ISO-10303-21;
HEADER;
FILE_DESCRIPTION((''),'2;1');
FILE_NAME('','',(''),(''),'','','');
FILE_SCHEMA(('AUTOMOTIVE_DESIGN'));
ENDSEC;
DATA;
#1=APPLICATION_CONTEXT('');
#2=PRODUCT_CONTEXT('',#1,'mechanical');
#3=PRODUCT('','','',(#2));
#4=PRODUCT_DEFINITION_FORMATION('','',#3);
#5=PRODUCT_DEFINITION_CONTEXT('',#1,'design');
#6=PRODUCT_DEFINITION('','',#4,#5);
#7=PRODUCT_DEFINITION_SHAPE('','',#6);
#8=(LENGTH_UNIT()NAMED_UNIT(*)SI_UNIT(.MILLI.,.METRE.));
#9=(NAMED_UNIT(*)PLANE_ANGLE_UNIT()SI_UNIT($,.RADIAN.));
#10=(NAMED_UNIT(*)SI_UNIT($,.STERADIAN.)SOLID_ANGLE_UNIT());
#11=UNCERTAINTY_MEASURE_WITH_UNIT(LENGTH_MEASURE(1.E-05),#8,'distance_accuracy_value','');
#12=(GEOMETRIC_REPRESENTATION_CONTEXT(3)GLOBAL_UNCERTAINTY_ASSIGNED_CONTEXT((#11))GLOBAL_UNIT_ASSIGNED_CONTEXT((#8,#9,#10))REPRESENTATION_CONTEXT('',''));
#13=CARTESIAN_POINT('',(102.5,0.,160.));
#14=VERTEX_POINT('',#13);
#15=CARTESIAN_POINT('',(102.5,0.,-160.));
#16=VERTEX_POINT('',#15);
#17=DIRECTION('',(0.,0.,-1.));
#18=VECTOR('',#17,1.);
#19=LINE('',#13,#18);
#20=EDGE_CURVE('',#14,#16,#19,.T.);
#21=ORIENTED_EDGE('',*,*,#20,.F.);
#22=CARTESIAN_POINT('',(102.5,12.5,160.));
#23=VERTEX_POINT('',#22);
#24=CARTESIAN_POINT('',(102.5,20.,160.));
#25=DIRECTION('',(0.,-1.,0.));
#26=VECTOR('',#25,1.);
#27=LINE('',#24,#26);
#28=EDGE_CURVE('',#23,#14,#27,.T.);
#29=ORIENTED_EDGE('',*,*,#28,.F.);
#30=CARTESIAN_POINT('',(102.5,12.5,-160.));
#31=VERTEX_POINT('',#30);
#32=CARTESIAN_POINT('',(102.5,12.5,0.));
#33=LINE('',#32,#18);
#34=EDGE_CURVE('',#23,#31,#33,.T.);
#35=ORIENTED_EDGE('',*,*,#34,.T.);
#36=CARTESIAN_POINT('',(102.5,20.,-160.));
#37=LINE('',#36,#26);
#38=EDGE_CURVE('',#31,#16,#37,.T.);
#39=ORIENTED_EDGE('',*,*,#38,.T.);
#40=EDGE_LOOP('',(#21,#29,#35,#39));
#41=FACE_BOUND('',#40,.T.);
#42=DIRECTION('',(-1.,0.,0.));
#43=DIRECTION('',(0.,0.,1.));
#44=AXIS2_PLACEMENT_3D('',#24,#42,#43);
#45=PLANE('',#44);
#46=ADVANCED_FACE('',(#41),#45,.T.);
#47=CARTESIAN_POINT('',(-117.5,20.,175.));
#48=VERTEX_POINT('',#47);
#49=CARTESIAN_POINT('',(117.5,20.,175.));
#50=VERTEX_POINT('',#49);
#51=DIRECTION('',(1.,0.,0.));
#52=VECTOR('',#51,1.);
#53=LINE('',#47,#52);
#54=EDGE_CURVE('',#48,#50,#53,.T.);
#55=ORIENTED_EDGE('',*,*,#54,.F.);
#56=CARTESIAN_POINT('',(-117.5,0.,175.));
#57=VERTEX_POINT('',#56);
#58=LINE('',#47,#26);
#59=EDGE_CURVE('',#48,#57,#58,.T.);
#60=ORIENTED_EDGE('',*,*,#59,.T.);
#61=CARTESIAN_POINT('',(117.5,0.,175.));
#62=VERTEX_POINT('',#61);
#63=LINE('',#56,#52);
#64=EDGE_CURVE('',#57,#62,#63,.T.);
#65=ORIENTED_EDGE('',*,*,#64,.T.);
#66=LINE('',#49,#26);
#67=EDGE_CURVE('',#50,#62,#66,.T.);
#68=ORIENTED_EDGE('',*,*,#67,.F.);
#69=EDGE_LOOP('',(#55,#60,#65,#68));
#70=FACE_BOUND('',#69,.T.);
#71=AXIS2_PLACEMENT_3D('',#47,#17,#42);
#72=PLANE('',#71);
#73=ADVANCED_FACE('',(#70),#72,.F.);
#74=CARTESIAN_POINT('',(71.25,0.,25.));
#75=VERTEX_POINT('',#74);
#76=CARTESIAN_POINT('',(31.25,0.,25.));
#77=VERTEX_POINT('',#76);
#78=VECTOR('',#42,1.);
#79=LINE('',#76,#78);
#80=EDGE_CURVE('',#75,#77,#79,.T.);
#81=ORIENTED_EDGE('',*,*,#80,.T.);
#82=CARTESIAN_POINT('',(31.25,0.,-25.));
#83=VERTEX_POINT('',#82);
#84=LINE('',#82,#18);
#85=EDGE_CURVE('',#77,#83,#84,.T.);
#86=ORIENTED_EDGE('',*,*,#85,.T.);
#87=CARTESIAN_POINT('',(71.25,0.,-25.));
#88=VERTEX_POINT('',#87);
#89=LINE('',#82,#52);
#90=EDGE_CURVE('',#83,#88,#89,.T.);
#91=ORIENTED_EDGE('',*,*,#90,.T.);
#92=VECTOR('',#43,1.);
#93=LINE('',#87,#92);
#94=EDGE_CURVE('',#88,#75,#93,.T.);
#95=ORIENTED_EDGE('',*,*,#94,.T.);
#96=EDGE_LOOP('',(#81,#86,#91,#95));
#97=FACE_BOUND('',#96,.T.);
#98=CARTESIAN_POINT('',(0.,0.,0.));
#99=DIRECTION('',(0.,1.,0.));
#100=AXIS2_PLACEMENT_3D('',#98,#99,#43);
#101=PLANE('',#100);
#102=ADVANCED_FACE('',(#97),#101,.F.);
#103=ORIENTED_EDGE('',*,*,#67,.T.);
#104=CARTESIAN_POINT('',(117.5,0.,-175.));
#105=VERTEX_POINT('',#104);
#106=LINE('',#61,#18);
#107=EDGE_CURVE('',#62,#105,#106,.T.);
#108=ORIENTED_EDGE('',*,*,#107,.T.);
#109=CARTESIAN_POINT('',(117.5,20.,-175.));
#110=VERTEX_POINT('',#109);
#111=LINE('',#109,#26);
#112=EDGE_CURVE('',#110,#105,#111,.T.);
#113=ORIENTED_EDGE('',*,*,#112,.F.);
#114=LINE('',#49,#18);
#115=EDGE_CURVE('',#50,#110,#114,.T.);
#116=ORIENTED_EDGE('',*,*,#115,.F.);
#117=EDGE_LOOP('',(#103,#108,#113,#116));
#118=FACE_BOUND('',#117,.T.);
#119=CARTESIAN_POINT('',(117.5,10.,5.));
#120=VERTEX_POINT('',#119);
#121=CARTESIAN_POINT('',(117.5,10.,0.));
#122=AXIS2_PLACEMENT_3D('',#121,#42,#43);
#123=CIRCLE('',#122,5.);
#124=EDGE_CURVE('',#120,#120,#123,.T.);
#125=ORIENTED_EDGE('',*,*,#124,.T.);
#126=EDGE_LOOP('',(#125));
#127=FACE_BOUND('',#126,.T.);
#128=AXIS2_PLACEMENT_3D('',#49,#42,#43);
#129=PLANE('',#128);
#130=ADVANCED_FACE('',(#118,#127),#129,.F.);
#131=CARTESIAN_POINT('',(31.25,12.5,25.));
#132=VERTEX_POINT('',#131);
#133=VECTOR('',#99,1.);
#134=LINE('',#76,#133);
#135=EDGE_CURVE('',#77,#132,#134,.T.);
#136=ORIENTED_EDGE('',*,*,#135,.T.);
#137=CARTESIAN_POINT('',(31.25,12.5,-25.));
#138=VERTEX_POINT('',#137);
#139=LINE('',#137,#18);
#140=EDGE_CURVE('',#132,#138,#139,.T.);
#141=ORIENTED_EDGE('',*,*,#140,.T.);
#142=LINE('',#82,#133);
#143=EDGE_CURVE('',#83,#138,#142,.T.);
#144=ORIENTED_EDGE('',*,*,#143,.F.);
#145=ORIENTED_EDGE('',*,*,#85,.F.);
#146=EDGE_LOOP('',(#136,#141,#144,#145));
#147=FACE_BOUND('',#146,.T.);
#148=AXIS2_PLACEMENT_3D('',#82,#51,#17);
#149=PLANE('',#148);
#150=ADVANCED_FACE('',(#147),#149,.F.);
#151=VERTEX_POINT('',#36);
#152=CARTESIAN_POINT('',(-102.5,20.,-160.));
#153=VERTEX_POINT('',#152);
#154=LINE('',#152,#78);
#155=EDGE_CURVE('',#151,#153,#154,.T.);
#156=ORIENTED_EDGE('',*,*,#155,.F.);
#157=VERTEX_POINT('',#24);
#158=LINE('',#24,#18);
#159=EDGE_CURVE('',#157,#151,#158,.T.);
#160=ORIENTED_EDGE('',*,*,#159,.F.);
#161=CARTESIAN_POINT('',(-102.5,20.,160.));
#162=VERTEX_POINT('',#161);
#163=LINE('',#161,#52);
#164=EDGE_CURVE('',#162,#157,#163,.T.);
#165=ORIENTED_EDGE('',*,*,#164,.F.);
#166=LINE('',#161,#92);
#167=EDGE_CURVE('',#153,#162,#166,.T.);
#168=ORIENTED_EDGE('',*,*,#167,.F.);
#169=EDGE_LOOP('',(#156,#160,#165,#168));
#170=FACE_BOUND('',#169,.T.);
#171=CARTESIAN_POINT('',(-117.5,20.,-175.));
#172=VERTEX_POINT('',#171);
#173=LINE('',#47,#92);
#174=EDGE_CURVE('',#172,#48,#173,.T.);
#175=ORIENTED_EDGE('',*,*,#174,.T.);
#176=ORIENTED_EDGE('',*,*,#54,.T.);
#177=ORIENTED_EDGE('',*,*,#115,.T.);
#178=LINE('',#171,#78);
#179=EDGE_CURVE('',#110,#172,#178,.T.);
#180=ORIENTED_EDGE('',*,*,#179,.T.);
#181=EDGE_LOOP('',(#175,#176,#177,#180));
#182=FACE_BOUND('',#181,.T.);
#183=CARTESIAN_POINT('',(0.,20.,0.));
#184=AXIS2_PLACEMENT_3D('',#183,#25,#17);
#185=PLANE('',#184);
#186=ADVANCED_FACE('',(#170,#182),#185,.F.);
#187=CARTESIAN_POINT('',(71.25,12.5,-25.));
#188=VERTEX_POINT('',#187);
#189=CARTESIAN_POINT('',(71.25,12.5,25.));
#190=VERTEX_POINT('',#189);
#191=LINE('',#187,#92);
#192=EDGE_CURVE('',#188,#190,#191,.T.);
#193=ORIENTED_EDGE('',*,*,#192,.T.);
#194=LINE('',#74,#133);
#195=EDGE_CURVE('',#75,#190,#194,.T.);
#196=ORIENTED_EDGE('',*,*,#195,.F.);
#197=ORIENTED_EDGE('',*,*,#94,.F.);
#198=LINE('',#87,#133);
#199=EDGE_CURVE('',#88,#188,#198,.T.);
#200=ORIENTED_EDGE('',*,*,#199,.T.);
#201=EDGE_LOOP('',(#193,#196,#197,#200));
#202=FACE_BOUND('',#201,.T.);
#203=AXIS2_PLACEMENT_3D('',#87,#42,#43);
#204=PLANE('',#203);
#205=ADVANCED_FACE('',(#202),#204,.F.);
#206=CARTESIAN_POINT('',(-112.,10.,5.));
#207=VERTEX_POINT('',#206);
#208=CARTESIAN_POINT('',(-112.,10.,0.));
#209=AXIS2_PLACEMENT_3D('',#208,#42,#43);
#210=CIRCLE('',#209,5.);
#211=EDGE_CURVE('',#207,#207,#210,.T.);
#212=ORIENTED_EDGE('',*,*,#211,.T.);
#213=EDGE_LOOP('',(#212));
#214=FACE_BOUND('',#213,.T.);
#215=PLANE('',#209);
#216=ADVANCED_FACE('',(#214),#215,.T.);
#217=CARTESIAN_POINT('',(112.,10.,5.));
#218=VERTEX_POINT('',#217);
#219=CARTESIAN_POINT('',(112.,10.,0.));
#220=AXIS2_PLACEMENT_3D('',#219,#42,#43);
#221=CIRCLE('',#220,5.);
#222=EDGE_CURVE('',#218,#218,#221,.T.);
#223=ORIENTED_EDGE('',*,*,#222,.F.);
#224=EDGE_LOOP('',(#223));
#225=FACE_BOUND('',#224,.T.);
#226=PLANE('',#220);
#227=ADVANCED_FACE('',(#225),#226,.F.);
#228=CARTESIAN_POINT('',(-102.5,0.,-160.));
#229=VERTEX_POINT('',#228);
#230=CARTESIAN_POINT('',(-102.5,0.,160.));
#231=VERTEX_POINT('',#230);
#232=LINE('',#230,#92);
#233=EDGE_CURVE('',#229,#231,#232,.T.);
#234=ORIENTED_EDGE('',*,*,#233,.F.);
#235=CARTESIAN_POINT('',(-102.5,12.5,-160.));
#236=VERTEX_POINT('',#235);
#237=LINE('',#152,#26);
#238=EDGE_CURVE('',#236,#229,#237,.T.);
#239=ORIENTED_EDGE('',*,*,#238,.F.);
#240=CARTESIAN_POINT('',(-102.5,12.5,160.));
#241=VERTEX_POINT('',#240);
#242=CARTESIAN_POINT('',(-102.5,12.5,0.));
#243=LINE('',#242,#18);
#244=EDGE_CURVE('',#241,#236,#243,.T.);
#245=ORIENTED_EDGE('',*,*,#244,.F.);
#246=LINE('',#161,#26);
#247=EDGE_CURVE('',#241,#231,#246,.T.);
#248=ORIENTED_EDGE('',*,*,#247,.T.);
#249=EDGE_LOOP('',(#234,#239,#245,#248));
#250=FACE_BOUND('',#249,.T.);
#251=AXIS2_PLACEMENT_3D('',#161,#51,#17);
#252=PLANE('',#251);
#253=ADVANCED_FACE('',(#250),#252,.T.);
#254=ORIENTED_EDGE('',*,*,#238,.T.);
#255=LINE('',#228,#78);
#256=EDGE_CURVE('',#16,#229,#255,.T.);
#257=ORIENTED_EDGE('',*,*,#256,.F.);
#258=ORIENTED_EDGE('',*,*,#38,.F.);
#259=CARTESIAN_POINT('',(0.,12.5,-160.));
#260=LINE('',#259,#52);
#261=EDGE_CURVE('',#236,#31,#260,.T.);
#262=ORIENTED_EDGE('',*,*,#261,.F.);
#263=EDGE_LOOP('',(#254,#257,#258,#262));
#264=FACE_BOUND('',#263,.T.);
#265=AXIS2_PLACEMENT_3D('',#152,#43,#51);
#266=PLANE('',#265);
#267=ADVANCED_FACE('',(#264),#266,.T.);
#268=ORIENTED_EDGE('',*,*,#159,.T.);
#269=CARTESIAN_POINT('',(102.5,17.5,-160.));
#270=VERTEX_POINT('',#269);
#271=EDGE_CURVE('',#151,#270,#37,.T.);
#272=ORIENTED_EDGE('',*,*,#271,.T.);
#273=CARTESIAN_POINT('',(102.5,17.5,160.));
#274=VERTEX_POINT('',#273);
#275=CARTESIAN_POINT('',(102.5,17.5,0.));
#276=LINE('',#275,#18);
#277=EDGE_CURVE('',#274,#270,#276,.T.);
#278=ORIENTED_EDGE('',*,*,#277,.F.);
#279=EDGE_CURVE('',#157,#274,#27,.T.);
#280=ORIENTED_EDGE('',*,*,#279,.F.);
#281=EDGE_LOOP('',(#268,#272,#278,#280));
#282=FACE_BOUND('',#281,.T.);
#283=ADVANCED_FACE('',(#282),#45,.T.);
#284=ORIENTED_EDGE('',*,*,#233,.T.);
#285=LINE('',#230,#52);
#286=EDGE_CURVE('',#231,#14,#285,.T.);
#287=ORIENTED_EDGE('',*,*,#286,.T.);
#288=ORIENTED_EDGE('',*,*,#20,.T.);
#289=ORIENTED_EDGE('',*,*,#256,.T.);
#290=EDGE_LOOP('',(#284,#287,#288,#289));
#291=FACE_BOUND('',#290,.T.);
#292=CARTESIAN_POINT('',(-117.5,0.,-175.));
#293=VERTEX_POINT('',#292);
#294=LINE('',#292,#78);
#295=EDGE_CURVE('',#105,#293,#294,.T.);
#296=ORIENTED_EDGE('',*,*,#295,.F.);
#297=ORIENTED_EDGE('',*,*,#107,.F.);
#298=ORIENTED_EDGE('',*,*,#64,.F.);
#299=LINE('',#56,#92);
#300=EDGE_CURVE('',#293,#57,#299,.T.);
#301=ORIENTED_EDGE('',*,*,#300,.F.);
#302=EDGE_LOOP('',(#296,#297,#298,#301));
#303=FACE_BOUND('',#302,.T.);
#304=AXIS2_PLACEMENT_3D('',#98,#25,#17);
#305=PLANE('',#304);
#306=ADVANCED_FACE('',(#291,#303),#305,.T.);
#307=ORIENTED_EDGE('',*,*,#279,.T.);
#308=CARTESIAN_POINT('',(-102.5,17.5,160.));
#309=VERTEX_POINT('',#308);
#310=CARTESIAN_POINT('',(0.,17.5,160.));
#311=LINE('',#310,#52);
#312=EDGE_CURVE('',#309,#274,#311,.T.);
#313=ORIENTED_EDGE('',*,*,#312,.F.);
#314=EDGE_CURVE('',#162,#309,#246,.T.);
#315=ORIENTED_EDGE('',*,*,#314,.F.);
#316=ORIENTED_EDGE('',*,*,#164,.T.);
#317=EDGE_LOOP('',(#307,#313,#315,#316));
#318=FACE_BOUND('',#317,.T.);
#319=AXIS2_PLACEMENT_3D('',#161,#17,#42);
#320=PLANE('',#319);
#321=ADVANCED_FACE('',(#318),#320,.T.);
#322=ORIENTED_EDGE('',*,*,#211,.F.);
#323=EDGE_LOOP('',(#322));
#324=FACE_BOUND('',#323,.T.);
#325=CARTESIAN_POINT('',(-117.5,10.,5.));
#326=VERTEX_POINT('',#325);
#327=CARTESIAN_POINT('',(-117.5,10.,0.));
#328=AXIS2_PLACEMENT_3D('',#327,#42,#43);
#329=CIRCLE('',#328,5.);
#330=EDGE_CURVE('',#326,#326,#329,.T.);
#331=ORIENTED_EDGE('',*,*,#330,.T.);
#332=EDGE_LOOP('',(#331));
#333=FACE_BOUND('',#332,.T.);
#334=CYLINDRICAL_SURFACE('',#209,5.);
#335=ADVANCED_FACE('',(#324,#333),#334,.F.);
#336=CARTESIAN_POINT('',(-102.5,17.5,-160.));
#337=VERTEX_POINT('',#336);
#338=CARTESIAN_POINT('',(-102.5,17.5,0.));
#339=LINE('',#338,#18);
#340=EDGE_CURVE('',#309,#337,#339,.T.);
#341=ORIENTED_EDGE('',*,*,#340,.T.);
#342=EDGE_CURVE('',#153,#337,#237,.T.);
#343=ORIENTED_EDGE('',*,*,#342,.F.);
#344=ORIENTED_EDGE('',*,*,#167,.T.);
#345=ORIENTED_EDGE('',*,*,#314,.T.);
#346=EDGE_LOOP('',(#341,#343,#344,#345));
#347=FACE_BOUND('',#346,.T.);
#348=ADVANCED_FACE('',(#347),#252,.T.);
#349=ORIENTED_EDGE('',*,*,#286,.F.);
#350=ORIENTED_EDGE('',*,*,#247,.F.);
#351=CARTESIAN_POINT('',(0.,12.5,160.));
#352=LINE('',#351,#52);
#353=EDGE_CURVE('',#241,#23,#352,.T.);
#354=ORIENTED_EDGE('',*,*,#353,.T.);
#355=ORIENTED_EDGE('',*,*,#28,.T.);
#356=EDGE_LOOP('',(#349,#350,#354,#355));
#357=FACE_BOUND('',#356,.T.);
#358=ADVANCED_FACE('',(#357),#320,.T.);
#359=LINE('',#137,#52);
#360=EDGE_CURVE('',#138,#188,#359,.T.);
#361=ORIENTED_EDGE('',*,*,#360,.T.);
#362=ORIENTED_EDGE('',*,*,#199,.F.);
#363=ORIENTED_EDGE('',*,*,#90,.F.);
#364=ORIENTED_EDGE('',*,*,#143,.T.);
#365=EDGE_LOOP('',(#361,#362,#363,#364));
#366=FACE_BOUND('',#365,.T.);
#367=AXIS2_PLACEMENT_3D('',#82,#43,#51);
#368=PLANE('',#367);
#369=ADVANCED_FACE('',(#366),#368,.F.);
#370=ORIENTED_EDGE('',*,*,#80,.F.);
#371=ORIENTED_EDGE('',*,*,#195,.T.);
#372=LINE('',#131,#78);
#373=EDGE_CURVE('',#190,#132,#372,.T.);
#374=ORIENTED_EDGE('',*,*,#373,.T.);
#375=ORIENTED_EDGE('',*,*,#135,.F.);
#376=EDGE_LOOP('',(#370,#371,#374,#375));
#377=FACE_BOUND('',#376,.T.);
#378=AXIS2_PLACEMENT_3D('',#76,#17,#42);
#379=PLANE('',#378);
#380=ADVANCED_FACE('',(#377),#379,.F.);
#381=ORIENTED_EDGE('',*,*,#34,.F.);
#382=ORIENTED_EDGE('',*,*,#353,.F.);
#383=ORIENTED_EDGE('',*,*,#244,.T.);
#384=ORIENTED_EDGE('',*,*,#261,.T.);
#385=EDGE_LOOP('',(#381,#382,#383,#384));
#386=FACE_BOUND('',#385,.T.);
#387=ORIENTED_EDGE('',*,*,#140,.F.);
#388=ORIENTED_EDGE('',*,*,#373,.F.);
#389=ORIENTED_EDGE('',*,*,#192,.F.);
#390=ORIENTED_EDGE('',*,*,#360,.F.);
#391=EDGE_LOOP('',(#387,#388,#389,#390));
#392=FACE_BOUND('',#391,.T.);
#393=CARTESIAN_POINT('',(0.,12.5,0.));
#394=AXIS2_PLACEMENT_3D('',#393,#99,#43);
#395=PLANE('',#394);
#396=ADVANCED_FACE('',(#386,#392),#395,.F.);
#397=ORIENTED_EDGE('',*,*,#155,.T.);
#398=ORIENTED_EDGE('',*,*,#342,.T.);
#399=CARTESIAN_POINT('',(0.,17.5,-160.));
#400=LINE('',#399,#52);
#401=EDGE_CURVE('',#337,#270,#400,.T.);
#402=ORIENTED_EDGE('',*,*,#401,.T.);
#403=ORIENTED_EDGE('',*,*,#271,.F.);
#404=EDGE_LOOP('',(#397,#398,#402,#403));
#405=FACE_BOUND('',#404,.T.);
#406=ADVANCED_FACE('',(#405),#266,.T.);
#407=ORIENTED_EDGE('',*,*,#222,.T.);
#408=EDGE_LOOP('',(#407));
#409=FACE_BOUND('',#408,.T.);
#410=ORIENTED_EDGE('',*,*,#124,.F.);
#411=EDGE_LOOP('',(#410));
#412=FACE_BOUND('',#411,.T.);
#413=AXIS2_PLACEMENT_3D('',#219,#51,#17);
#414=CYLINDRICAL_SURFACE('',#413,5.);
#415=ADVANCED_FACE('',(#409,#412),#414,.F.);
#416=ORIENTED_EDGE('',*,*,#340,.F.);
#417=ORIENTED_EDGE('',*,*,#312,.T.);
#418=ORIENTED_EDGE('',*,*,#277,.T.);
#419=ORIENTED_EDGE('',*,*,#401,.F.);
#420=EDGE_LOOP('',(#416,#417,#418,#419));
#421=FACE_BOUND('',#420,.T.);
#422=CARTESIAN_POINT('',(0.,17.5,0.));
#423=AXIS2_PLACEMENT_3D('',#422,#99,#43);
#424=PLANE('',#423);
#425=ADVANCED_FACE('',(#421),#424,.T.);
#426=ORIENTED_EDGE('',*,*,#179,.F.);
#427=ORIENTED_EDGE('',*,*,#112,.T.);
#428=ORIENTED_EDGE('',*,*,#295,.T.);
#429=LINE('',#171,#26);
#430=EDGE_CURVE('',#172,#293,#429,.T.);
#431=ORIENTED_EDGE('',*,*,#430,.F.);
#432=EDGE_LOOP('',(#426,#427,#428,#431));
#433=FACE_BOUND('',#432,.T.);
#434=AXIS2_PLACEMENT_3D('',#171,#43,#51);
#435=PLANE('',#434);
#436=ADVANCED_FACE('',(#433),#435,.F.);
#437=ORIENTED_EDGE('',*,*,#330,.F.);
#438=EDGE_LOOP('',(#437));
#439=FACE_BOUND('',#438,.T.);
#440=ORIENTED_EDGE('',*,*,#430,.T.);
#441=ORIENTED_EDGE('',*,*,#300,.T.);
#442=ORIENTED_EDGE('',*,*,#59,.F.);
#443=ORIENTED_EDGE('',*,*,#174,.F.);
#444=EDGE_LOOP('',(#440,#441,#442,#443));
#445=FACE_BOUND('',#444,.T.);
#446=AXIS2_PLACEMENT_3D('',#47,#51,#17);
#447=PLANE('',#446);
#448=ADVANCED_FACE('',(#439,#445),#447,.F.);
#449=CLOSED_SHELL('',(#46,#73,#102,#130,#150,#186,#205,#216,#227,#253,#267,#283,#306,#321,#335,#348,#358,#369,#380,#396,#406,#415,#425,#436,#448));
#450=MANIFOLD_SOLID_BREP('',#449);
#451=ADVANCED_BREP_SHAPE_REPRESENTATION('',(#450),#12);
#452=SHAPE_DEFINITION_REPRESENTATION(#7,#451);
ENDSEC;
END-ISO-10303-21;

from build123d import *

# Parameters (mm, degrees)
SKETCH1_W                = 235
SKETCH1_H                = 350
SKETCH1_W_2              = 205
SKETCH1_H_2              = 320
BOSS_EXTRUDE1_DEPTH      = 20
BOSS_EXTRUDE2_START      = 15
SKETCH1_2_W              = 205
SKETCH1_2_H              = 320
BOSS_EXTRUDE2_DEPTH      = 2.5
BOSS_EXTRUDE2_DEPTH_BACK = 2.5
SKETCH2_W                = 40
SKETCH2_H                = 50
BOSS_EXTRUDE3_DEPTH      = 12.5
SKETCH3_R                = 5
CUT_EXTRUDE1_DEPTH       = 5.5
CUT_EXTRUDE2_START       = -235
SKETCH3_3_R              = 5
CUT_EXTRUDE2_DEPTH       = 5.5


with BuildPart() as part:
    # Sketch1 → Boss-Extrude1 (new body)
    with BuildSketch(Plane(origin=(0, 0, 0), x_dir=(1, 0, 0), z_dir=(0, 1, 0))):
        Rectangle(SKETCH1_W, SKETCH1_H)
        Rectangle(SKETCH1_W_2, SKETCH1_H_2, mode=Mode.SUBTRACT)
    extrude(amount=BOSS_EXTRUDE1_DEPTH)

    # Sketch1<2> → Boss-Extrude2 (add, two sides)
    with BuildSketch(Plane(origin=(0, 0, 0), x_dir=(1, 0, 0), z_dir=(0, 1, 0)).offset(BOSS_EXTRUDE2_START)) as boss_extrude2_sk:
        Rectangle(SKETCH1_2_W, SKETCH1_2_H)
    extrude(amount=BOSS_EXTRUDE2_DEPTH)
    extrude(boss_extrude2_sk.sketch, amount=-BOSS_EXTRUDE2_DEPTH_BACK)

    # Sketch2 → Boss-Extrude3 (add)
    with BuildSketch(Plane.XZ.offset(-12.5)):
        with Locations((51.25, 0)):
            Rectangle(SKETCH2_W, SKETCH2_H)
    extrude(amount=BOSS_EXTRUDE3_DEPTH)

    # Sketch3 → Cut-Extrude1 (cut)
    with BuildSketch(Plane.ZY.offset(117.5)):
        with Locations((0, 10)):
            Circle(SKETCH3_R)
    extrude(amount=-CUT_EXTRUDE1_DEPTH, mode=Mode.SUBTRACT)

    # Sketch3<3> → Cut-Extrude2 (cut)
    with BuildSketch(Plane.ZY.offset(117.5).offset(CUT_EXTRUDE2_START)):
        with Locations((0, 10)):
            Circle(SKETCH3_3_R)
    extrude(amount=CUT_EXTRUDE2_DEPTH, mode=Mode.SUBTRACT)


solid = part.part
